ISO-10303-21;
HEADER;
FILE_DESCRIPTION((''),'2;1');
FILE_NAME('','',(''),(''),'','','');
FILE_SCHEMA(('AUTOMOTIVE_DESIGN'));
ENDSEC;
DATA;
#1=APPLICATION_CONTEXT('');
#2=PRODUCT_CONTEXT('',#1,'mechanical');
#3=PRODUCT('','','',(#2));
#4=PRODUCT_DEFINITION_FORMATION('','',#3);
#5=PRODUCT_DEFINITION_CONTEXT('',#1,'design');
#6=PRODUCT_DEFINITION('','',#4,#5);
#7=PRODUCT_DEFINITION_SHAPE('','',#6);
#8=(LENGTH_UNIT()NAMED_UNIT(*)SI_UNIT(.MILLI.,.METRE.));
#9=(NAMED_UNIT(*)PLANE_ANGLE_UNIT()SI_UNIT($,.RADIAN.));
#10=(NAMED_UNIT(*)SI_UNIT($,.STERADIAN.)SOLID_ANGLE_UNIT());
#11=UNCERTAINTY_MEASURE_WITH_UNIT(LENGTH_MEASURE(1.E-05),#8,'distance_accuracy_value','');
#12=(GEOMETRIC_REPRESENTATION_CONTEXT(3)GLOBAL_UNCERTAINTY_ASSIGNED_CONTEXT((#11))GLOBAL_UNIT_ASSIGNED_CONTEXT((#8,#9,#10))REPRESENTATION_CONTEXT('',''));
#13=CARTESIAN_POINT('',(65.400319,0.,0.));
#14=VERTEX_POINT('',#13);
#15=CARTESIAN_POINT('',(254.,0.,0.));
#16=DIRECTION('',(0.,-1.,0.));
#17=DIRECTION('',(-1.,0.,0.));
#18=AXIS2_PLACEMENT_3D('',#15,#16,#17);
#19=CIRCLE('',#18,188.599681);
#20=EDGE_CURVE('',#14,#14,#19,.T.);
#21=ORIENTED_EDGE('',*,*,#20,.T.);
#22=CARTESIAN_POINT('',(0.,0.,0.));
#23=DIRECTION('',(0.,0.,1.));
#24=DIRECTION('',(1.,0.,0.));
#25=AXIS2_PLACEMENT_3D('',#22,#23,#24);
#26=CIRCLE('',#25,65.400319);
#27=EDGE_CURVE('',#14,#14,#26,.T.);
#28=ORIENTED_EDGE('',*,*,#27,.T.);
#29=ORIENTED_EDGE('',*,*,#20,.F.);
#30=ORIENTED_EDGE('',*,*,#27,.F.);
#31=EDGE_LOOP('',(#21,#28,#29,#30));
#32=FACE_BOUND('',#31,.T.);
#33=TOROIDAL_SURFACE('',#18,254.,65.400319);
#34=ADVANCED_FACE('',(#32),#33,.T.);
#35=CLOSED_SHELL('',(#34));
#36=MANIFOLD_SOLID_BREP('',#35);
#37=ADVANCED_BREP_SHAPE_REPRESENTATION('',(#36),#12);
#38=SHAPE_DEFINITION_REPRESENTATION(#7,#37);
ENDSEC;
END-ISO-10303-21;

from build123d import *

# Parameters (mm, degrees)
F0_R = 65.400319


with BuildPart() as f2:
    # F0 (on Top) → F2 (revolve)
    with BuildSketch(Plane.XY):
        Circle(F0_R)
    revolve(axis=Axis((254, -6.218478, 0), (0, -1, 0)))


solid = f2.part
